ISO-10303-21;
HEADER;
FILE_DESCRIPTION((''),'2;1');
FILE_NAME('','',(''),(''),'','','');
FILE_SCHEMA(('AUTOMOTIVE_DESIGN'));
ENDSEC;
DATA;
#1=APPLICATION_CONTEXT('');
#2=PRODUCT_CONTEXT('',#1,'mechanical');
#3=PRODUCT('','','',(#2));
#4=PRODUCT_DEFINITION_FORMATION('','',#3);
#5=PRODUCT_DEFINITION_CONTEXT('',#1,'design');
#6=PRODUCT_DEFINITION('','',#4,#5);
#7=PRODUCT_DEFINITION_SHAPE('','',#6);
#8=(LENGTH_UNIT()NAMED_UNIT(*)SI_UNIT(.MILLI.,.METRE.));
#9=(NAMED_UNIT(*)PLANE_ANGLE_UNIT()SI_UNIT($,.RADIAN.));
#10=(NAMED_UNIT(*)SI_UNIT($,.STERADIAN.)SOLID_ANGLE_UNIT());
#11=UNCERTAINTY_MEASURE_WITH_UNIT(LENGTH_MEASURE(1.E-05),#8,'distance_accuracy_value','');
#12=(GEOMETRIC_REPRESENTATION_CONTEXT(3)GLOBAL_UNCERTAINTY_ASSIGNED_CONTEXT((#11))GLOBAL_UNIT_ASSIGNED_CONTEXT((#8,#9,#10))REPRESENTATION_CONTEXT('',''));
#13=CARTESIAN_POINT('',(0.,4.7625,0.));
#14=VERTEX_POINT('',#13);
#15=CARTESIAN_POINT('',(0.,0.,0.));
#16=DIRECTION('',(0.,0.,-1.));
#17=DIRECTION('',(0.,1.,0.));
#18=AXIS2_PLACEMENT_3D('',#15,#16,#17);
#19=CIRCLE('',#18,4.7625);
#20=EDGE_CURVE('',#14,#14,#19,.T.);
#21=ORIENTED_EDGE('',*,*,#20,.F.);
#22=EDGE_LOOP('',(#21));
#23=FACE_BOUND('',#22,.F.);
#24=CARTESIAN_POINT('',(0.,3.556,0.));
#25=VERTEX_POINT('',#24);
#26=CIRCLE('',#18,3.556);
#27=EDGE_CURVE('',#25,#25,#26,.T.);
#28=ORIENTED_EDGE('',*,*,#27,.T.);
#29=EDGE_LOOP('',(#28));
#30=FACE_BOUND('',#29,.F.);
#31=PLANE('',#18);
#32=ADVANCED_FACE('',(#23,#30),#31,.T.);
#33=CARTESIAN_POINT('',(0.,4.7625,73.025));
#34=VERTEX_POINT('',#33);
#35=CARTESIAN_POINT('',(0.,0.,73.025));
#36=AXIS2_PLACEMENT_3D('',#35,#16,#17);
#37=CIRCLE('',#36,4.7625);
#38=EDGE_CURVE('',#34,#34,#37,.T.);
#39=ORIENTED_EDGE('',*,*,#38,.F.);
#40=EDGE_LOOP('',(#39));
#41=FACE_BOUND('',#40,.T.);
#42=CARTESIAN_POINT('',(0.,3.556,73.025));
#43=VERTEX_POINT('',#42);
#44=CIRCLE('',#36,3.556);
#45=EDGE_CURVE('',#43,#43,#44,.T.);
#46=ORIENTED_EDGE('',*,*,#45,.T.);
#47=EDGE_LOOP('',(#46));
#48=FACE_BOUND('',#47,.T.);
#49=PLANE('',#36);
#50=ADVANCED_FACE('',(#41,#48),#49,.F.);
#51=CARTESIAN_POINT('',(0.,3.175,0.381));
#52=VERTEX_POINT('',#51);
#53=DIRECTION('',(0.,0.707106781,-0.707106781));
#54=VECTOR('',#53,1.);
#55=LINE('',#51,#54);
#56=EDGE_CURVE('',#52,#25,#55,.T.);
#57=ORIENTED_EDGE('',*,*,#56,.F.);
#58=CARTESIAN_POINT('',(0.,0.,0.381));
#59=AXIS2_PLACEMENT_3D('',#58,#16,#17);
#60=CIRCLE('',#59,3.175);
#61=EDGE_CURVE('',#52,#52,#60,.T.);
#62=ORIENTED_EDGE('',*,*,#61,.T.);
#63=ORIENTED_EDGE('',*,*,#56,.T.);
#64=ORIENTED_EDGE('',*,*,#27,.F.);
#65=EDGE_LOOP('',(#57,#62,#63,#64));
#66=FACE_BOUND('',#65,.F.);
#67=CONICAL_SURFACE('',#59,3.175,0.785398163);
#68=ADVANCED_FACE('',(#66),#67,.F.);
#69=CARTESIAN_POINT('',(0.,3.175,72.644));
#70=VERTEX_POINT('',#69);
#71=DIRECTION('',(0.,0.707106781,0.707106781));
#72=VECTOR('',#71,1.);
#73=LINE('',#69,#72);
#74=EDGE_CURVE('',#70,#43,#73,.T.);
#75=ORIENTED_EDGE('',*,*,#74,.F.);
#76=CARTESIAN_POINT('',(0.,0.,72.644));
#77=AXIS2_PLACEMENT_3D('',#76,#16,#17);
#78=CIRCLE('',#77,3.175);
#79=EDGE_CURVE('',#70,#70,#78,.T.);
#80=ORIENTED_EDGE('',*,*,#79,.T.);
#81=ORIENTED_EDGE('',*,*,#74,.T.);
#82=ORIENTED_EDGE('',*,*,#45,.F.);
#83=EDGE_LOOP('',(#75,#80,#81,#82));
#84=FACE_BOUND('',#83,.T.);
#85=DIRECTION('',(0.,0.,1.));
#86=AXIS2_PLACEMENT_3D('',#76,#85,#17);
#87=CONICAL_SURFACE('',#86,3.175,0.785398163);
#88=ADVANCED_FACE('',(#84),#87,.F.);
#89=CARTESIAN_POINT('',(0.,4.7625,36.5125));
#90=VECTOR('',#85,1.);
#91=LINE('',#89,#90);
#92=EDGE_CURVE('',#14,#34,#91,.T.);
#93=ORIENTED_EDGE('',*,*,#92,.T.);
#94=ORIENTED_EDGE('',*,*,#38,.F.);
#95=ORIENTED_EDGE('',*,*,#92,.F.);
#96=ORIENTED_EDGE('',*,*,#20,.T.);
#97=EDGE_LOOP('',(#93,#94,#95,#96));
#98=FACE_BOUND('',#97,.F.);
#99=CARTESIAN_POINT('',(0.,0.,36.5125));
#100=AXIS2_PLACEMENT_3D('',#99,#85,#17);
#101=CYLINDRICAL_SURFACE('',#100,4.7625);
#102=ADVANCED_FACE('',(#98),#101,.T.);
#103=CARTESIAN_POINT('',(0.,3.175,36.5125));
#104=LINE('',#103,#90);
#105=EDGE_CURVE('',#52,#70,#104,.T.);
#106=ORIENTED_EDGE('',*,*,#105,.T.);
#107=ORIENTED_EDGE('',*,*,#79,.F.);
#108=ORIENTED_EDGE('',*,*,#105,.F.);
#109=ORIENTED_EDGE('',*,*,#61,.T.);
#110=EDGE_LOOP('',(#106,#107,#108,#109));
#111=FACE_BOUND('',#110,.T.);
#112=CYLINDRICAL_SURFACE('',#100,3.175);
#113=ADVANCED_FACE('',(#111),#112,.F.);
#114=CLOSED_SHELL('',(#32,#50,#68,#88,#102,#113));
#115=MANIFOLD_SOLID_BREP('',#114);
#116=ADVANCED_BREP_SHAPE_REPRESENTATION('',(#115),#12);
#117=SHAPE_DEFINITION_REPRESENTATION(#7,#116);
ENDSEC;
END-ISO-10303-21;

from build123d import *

# Parameters (mm, degrees)
F0_W    = 1.5875
F0_H    = 73.025
F2_SIZE = 0.381


with BuildPart() as f1:
    # F0 (on Right) → F1 (revolve)
    with BuildSketch(Plane.YZ):
        with Locations((3.96875, 36.5125)):
            Rectangle(F0_W, F0_H)
    revolve(axis=Axis((0, 0, -8.510036), (0, 0, -1)))

    # F2
    f2_edges = [f1.edges().sort_by_distance(p)[0] for p in [
        (0, -3.175, 73.025),
        (0, -3.175, 0),
    ]]
    chamfer(f2_edges, length=F2_SIZE)


solid = f1.part
